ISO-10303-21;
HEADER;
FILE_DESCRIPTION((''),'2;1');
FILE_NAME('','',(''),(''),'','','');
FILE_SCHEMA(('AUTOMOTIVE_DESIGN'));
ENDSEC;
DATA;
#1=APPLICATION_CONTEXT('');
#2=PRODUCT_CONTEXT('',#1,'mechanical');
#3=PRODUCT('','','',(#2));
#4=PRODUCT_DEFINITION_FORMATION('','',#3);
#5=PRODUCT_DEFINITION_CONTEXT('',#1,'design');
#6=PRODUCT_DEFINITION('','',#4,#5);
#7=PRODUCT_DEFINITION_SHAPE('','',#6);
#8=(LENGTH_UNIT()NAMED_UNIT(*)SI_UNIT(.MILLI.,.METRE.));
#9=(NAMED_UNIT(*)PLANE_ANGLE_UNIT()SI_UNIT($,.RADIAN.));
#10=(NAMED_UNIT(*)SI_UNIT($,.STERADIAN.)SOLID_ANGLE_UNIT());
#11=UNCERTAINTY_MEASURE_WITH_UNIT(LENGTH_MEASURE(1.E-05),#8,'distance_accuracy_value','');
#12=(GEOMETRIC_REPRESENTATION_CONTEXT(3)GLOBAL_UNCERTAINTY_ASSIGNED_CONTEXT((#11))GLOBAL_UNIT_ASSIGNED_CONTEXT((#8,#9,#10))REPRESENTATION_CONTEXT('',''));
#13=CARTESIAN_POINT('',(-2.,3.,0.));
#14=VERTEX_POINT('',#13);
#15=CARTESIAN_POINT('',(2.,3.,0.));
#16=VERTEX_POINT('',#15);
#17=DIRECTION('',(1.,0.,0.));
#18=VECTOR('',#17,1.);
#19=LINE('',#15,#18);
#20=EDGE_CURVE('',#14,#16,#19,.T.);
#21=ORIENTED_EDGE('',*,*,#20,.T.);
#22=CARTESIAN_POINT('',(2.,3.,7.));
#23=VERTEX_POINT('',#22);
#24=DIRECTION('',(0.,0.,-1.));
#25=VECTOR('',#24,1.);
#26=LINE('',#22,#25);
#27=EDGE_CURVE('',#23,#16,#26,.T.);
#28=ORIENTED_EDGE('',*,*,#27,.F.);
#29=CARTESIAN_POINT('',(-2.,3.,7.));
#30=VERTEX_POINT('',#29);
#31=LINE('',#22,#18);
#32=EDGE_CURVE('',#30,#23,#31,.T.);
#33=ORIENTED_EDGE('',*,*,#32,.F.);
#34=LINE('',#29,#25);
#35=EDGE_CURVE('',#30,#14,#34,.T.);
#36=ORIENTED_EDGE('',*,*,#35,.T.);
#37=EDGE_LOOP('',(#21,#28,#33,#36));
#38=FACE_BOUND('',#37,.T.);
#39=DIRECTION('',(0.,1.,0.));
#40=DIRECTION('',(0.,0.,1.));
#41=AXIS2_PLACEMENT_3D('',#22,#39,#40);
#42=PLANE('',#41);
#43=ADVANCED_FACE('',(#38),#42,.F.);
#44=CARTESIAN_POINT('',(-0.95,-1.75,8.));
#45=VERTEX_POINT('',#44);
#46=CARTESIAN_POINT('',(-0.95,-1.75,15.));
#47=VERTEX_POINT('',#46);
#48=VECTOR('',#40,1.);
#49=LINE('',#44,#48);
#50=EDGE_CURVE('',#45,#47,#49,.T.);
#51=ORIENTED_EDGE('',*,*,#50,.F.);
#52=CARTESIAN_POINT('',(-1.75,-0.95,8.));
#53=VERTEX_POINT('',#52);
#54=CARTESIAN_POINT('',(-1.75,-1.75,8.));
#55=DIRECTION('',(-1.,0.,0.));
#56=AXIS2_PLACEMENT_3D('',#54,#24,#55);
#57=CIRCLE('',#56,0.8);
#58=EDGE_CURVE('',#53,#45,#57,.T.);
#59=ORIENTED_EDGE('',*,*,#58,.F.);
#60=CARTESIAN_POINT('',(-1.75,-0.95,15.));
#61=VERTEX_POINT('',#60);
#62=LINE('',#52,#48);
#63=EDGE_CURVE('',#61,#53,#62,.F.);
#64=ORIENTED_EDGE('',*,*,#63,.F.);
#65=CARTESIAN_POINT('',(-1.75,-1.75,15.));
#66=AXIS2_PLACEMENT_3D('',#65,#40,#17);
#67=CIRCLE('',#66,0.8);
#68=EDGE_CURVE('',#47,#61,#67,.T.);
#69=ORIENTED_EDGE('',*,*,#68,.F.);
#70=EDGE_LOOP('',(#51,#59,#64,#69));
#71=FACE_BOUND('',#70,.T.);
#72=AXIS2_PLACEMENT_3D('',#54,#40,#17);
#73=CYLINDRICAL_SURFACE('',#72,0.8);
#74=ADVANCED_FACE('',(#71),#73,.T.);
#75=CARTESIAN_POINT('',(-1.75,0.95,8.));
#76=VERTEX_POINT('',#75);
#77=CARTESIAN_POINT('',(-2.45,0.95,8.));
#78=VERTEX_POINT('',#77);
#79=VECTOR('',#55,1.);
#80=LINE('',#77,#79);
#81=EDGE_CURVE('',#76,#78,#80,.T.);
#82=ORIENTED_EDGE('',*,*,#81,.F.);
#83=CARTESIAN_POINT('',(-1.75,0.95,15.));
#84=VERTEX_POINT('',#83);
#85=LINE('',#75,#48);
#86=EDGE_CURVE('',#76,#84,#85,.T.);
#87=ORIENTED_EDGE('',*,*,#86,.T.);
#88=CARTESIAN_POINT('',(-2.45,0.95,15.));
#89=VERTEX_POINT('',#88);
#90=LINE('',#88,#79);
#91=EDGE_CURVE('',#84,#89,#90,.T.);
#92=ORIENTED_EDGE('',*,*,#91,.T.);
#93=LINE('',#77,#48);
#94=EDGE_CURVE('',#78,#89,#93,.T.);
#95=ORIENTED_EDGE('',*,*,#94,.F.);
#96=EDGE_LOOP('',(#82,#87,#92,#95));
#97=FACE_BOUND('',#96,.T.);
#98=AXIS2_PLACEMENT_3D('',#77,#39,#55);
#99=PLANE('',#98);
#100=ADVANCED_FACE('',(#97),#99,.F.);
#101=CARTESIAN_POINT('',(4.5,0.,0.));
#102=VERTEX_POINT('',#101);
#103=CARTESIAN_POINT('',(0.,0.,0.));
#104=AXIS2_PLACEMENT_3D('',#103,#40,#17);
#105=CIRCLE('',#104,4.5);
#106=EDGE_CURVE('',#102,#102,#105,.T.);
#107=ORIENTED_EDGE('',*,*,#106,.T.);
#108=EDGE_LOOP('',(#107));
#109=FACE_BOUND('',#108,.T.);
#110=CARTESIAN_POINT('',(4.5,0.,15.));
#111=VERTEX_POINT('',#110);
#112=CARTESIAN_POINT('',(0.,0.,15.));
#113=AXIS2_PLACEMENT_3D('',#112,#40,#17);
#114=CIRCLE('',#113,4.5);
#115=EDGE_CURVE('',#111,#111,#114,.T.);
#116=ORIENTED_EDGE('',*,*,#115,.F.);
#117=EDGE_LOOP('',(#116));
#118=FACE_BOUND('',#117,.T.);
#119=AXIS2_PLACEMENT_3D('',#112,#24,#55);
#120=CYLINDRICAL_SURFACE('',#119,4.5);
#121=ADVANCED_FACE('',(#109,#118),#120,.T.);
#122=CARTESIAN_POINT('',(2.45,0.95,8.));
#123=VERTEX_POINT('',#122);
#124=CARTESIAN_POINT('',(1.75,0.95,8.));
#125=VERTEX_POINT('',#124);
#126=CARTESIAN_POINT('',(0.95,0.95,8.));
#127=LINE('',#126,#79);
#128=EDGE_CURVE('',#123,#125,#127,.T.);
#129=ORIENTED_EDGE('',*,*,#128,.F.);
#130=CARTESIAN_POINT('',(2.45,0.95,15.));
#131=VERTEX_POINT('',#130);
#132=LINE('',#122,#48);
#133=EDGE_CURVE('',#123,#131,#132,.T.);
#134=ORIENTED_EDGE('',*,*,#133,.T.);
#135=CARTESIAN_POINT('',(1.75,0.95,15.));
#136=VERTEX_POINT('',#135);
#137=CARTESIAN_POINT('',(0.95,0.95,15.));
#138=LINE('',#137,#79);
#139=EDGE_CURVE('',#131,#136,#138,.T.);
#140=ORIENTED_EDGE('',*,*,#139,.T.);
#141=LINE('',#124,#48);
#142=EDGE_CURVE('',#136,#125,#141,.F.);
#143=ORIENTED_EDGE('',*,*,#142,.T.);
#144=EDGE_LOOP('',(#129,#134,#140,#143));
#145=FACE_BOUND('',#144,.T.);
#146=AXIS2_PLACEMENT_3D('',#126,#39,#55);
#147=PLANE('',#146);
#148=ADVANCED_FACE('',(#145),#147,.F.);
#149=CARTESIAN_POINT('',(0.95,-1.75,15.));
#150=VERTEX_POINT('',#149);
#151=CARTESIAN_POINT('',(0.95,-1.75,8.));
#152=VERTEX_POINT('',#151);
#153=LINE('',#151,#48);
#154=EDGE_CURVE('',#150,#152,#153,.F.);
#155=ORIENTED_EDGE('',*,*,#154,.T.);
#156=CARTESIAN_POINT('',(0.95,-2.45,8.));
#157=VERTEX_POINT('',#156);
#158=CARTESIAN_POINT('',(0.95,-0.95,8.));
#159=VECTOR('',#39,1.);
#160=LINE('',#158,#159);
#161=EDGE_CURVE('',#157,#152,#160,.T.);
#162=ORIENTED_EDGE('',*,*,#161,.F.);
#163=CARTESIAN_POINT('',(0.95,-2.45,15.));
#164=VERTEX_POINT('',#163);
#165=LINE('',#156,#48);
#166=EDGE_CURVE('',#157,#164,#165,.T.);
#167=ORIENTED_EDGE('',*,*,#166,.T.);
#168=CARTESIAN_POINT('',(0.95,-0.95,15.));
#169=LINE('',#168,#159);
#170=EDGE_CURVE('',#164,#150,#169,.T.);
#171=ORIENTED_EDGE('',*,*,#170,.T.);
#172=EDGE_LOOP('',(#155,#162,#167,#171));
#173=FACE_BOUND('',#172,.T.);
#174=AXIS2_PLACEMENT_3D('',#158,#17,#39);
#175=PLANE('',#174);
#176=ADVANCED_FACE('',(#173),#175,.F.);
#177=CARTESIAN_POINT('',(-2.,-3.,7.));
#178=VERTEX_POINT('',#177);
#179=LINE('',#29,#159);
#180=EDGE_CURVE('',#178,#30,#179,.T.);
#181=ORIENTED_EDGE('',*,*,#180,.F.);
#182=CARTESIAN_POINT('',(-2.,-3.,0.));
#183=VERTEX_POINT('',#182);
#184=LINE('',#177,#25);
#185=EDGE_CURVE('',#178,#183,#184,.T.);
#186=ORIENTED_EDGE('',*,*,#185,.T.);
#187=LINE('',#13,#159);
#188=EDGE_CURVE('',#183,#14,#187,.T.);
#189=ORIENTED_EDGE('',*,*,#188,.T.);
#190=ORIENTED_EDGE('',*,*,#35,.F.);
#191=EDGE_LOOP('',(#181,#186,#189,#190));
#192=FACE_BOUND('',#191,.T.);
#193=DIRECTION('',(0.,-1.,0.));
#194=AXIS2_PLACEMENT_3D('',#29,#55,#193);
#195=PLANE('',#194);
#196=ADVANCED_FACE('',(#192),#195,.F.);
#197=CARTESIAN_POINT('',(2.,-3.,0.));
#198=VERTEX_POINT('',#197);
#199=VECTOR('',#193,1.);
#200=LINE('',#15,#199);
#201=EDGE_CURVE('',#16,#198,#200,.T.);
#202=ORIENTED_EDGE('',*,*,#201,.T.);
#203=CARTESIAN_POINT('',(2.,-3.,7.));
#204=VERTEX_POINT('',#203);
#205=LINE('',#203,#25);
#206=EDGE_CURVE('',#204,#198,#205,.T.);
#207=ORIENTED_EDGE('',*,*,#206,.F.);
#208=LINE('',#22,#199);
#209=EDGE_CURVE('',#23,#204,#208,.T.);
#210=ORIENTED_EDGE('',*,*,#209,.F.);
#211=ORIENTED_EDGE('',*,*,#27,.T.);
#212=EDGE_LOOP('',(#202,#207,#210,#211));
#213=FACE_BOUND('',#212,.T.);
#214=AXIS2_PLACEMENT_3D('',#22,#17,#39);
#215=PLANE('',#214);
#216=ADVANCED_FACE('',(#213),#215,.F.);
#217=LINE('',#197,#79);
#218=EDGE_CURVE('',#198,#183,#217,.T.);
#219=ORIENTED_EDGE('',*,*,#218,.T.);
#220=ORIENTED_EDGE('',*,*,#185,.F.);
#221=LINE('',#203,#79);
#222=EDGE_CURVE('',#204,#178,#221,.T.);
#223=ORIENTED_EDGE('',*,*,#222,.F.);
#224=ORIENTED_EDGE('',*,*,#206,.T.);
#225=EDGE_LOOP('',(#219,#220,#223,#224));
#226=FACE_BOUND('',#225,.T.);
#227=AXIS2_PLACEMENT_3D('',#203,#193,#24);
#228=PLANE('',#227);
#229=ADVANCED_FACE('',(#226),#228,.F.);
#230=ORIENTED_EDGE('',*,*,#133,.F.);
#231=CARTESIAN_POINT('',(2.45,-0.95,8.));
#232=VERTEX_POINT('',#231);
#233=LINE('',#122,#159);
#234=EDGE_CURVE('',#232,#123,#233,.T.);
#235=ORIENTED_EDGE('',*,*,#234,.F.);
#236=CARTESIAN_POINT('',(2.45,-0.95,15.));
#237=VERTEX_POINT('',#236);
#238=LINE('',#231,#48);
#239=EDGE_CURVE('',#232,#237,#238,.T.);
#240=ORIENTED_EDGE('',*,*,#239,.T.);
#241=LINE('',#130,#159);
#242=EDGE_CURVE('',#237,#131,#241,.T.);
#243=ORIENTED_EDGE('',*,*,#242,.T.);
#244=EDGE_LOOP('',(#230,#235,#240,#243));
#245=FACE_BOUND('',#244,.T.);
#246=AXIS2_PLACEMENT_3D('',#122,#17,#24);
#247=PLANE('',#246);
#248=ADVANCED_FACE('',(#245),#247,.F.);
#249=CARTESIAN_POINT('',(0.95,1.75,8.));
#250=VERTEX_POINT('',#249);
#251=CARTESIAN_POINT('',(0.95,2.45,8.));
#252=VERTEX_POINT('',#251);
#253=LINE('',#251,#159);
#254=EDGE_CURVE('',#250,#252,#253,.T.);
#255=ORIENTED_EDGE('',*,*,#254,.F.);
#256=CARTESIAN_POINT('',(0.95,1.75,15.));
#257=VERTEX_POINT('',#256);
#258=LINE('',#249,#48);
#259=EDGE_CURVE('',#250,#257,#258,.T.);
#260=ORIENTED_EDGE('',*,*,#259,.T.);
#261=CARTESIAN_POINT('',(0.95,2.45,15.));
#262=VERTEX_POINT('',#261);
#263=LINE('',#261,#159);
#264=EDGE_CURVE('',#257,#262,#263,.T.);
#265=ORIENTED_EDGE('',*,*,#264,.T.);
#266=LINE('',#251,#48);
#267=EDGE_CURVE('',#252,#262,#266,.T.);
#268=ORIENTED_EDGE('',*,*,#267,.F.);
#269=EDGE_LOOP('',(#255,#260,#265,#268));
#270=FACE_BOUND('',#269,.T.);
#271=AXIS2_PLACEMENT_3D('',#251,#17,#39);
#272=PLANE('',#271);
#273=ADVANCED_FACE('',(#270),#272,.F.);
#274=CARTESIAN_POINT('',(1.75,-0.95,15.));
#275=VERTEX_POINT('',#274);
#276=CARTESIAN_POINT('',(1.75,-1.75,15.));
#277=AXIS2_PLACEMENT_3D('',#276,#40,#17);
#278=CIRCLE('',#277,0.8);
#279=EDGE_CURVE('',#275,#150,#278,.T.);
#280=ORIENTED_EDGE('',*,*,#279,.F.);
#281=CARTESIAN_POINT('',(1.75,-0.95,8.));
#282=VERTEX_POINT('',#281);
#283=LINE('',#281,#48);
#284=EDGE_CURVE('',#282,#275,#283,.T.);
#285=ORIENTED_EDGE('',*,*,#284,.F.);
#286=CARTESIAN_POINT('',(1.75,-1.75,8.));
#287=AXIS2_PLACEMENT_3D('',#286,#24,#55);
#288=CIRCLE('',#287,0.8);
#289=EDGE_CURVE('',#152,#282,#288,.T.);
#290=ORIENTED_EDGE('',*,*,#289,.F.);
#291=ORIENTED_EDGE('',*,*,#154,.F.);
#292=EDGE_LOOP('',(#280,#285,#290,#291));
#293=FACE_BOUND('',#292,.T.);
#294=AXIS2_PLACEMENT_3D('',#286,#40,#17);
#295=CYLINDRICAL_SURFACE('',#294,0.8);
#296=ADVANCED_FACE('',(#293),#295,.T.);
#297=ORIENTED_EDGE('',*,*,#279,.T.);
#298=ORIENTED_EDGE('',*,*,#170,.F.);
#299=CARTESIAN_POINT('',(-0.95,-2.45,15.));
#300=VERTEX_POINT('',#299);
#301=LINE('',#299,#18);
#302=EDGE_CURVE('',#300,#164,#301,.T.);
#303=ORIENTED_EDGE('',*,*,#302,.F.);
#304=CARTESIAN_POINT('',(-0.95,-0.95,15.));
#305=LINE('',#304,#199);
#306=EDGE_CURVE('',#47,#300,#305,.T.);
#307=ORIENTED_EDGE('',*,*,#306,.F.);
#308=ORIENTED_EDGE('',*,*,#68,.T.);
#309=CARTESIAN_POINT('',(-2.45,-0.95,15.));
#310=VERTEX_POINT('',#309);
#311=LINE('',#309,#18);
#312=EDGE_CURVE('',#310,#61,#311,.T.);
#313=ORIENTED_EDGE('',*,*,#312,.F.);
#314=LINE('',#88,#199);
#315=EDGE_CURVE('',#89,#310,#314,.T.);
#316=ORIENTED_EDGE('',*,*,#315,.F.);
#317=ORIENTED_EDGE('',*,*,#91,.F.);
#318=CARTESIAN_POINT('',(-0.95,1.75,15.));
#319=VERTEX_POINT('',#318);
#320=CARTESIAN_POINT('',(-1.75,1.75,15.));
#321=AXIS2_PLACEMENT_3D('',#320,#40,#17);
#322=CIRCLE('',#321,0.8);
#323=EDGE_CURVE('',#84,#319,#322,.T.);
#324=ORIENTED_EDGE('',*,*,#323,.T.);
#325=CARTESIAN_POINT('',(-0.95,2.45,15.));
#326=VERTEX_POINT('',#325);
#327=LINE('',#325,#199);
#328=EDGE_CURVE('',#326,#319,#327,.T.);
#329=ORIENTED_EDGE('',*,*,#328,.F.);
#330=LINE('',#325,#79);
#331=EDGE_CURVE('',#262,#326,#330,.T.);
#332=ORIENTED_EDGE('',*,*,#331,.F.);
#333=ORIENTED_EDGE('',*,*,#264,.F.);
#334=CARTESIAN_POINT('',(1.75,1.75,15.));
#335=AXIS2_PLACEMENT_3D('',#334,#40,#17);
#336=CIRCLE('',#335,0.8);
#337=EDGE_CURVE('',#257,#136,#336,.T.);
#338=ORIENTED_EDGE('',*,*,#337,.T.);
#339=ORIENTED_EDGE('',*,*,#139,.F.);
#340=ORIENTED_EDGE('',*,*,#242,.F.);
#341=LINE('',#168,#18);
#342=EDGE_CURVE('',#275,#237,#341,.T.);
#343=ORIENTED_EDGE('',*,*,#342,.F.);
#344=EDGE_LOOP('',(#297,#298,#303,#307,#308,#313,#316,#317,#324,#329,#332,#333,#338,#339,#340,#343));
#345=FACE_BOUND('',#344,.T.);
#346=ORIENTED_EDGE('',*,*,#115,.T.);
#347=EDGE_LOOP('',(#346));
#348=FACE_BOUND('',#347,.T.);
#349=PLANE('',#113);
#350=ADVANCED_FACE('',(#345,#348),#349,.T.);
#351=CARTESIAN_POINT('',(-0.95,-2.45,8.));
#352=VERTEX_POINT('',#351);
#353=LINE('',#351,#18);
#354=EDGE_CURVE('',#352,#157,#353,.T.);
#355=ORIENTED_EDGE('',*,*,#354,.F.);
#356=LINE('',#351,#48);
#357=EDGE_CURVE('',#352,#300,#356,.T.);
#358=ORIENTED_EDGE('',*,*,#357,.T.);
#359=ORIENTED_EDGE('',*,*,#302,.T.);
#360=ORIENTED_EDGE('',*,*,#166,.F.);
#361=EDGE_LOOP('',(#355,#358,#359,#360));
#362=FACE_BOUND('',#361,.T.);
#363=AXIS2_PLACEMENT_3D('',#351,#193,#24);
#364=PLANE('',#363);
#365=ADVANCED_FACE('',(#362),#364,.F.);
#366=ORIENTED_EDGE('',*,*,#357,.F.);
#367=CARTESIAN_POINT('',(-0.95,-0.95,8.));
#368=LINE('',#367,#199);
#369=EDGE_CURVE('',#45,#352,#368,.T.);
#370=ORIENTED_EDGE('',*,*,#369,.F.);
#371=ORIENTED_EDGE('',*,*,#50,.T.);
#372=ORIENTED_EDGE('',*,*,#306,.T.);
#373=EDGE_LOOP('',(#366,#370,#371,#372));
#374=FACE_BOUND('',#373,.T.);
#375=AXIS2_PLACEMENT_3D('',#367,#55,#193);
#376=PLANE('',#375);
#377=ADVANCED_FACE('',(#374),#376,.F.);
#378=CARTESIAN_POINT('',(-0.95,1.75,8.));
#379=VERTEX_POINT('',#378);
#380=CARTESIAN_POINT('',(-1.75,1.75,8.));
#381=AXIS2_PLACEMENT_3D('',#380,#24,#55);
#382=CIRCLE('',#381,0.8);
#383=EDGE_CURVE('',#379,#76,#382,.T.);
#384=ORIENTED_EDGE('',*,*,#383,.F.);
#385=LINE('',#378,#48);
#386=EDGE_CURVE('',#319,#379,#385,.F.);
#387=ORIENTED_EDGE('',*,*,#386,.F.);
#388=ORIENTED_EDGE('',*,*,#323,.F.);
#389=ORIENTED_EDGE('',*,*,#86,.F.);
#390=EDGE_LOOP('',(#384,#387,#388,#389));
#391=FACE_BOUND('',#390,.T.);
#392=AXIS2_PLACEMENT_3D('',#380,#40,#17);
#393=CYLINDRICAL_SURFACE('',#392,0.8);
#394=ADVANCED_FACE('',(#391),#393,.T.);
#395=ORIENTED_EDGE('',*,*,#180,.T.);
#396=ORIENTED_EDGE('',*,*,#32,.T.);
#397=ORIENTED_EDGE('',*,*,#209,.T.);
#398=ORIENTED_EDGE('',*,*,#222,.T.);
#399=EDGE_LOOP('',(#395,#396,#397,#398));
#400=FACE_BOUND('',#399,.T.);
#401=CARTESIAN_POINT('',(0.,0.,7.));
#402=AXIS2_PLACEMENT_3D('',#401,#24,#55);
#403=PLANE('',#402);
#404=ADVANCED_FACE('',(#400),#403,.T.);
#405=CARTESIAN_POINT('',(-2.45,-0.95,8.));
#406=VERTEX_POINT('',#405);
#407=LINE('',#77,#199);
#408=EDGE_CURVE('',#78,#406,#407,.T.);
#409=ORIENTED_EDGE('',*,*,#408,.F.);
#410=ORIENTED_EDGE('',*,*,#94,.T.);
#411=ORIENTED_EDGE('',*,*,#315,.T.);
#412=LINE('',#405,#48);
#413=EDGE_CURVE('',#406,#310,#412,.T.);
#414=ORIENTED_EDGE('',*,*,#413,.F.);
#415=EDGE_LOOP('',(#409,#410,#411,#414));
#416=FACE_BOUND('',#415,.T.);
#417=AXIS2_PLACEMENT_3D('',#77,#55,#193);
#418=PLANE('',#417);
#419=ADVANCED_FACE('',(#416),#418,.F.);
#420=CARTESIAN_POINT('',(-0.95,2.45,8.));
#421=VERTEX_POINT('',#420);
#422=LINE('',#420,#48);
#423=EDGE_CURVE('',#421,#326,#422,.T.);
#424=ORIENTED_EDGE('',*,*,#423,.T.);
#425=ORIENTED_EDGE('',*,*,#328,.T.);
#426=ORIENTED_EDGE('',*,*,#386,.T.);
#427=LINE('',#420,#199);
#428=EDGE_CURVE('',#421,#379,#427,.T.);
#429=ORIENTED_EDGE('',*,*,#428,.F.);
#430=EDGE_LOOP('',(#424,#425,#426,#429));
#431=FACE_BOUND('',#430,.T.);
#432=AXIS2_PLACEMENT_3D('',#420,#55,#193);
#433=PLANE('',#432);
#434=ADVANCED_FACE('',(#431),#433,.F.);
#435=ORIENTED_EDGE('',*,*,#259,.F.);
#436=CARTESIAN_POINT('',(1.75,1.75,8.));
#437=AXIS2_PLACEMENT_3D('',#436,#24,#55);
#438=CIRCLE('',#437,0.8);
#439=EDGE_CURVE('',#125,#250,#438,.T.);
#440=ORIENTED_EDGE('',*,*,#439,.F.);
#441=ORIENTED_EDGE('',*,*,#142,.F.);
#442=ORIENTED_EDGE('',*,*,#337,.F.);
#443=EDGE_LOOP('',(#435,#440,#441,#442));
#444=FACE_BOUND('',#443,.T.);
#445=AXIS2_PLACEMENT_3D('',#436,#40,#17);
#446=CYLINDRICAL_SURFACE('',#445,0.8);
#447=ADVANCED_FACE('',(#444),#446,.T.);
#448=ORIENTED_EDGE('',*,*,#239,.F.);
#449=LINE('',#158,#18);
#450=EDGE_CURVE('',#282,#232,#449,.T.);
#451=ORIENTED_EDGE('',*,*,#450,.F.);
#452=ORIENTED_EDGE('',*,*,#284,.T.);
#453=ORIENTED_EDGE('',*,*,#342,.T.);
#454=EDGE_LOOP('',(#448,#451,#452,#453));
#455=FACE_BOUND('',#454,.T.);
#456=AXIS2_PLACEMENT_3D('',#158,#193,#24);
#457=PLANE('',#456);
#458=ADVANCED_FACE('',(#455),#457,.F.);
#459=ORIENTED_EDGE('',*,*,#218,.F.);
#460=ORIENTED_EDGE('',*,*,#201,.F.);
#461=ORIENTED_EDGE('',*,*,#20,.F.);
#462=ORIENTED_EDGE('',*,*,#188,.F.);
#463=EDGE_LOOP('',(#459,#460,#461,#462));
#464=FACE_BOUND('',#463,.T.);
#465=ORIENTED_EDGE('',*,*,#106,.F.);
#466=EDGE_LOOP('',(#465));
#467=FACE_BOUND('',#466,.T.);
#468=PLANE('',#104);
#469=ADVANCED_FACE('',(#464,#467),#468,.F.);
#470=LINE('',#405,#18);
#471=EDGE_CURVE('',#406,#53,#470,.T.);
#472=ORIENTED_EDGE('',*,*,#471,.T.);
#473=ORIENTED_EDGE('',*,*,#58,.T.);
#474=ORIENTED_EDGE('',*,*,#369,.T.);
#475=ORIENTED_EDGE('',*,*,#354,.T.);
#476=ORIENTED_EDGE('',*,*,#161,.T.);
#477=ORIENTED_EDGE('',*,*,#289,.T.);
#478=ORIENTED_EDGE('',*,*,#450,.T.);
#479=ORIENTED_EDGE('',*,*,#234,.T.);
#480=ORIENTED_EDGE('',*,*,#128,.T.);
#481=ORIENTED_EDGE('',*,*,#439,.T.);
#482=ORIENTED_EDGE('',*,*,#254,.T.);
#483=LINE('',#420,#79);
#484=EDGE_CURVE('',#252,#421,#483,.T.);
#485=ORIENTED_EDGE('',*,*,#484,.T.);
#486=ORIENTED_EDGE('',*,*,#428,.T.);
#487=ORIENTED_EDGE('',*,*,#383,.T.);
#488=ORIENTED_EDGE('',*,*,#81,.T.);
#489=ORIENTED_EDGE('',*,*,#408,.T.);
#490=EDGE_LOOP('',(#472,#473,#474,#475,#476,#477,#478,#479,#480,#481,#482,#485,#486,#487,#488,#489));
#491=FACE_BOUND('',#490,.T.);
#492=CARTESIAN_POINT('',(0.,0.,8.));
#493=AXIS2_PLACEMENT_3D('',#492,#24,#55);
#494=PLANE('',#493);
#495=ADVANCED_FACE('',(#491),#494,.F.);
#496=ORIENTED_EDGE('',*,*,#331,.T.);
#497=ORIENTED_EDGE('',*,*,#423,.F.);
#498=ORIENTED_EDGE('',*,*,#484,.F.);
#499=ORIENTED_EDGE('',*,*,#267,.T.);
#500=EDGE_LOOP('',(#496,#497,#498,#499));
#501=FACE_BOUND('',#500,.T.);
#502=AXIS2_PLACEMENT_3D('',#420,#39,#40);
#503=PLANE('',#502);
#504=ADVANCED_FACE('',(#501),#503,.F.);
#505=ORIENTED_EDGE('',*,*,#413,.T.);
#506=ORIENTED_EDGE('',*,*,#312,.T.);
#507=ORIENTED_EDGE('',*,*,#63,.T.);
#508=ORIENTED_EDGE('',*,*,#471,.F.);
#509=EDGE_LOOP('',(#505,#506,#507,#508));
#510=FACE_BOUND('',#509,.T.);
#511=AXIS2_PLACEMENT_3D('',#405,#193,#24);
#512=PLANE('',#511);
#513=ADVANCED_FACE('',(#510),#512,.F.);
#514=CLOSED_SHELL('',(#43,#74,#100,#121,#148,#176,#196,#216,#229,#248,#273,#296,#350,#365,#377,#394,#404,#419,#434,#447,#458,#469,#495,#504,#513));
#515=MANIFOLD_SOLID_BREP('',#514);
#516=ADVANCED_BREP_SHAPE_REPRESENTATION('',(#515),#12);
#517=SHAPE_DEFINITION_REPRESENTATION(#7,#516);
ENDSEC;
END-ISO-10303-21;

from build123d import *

# Parameters (mm, degrees)
SKETCH1_R           = 4.5
BOSS_EXTRUDE1_DEPTH = 15
SKETCH2_W           = 4
SKETCH2_H           = 6
CUT_EXTRUDE1_DEPTH  = 7
CUT_EXTRUDE2_DEPTH  = 7
FILLET3_R           = 0.8


with BuildPart() as part:
    # Sketch1 → Boss-Extrude1 (new body)
    with BuildSketch(Plane.XY):
        Circle(SKETCH1_R)
    extrude(amount=BOSS_EXTRUDE1_DEPTH)

    # Sketch2 → Cut-Extrude1 (cut)
    with BuildSketch(Plane(origin=(0, 0, 0), x_dir=(-1, 0, 0), z_dir=(0, 0, -1))):
        Rectangle(SKETCH2_W, SKETCH2_H)
    extrude(amount=-CUT_EXTRUDE1_DEPTH, mode=Mode.SUBTRACT)

    # Sketch3 → Cut-Extrude2 (cut)
    with BuildSketch(Plane.XY.offset(15)):
        Polygon((-0.95, -0.95), (-0.95, -2.45), (0.95, -2.45), (0.95, -0.95), (2.45, -0.95), (2.45, 0.95), (0.95, 0.95), (0.95, 2.45), (-0.95, 2.45), (-0.95, 0.95), (-2.45, 0.95), (-2.45, -0.95), align=None)
    extrude(amount=-CUT_EXTRUDE2_DEPTH, mode=Mode.SUBTRACT)

    # Fillet3
    fillet3_edges = [part.edges().sort_by_distance(p)[0] for p in [
        (0.95, -0.95, 11.5),
        (-0.95, -0.95, 11.5),
        (-0.95, 0.95, 11.5),
        (0.95, 0.95, 11.5),
    ]]
    fillet(fillet3_edges, radius=FILLET3_R)


solid = part.part
